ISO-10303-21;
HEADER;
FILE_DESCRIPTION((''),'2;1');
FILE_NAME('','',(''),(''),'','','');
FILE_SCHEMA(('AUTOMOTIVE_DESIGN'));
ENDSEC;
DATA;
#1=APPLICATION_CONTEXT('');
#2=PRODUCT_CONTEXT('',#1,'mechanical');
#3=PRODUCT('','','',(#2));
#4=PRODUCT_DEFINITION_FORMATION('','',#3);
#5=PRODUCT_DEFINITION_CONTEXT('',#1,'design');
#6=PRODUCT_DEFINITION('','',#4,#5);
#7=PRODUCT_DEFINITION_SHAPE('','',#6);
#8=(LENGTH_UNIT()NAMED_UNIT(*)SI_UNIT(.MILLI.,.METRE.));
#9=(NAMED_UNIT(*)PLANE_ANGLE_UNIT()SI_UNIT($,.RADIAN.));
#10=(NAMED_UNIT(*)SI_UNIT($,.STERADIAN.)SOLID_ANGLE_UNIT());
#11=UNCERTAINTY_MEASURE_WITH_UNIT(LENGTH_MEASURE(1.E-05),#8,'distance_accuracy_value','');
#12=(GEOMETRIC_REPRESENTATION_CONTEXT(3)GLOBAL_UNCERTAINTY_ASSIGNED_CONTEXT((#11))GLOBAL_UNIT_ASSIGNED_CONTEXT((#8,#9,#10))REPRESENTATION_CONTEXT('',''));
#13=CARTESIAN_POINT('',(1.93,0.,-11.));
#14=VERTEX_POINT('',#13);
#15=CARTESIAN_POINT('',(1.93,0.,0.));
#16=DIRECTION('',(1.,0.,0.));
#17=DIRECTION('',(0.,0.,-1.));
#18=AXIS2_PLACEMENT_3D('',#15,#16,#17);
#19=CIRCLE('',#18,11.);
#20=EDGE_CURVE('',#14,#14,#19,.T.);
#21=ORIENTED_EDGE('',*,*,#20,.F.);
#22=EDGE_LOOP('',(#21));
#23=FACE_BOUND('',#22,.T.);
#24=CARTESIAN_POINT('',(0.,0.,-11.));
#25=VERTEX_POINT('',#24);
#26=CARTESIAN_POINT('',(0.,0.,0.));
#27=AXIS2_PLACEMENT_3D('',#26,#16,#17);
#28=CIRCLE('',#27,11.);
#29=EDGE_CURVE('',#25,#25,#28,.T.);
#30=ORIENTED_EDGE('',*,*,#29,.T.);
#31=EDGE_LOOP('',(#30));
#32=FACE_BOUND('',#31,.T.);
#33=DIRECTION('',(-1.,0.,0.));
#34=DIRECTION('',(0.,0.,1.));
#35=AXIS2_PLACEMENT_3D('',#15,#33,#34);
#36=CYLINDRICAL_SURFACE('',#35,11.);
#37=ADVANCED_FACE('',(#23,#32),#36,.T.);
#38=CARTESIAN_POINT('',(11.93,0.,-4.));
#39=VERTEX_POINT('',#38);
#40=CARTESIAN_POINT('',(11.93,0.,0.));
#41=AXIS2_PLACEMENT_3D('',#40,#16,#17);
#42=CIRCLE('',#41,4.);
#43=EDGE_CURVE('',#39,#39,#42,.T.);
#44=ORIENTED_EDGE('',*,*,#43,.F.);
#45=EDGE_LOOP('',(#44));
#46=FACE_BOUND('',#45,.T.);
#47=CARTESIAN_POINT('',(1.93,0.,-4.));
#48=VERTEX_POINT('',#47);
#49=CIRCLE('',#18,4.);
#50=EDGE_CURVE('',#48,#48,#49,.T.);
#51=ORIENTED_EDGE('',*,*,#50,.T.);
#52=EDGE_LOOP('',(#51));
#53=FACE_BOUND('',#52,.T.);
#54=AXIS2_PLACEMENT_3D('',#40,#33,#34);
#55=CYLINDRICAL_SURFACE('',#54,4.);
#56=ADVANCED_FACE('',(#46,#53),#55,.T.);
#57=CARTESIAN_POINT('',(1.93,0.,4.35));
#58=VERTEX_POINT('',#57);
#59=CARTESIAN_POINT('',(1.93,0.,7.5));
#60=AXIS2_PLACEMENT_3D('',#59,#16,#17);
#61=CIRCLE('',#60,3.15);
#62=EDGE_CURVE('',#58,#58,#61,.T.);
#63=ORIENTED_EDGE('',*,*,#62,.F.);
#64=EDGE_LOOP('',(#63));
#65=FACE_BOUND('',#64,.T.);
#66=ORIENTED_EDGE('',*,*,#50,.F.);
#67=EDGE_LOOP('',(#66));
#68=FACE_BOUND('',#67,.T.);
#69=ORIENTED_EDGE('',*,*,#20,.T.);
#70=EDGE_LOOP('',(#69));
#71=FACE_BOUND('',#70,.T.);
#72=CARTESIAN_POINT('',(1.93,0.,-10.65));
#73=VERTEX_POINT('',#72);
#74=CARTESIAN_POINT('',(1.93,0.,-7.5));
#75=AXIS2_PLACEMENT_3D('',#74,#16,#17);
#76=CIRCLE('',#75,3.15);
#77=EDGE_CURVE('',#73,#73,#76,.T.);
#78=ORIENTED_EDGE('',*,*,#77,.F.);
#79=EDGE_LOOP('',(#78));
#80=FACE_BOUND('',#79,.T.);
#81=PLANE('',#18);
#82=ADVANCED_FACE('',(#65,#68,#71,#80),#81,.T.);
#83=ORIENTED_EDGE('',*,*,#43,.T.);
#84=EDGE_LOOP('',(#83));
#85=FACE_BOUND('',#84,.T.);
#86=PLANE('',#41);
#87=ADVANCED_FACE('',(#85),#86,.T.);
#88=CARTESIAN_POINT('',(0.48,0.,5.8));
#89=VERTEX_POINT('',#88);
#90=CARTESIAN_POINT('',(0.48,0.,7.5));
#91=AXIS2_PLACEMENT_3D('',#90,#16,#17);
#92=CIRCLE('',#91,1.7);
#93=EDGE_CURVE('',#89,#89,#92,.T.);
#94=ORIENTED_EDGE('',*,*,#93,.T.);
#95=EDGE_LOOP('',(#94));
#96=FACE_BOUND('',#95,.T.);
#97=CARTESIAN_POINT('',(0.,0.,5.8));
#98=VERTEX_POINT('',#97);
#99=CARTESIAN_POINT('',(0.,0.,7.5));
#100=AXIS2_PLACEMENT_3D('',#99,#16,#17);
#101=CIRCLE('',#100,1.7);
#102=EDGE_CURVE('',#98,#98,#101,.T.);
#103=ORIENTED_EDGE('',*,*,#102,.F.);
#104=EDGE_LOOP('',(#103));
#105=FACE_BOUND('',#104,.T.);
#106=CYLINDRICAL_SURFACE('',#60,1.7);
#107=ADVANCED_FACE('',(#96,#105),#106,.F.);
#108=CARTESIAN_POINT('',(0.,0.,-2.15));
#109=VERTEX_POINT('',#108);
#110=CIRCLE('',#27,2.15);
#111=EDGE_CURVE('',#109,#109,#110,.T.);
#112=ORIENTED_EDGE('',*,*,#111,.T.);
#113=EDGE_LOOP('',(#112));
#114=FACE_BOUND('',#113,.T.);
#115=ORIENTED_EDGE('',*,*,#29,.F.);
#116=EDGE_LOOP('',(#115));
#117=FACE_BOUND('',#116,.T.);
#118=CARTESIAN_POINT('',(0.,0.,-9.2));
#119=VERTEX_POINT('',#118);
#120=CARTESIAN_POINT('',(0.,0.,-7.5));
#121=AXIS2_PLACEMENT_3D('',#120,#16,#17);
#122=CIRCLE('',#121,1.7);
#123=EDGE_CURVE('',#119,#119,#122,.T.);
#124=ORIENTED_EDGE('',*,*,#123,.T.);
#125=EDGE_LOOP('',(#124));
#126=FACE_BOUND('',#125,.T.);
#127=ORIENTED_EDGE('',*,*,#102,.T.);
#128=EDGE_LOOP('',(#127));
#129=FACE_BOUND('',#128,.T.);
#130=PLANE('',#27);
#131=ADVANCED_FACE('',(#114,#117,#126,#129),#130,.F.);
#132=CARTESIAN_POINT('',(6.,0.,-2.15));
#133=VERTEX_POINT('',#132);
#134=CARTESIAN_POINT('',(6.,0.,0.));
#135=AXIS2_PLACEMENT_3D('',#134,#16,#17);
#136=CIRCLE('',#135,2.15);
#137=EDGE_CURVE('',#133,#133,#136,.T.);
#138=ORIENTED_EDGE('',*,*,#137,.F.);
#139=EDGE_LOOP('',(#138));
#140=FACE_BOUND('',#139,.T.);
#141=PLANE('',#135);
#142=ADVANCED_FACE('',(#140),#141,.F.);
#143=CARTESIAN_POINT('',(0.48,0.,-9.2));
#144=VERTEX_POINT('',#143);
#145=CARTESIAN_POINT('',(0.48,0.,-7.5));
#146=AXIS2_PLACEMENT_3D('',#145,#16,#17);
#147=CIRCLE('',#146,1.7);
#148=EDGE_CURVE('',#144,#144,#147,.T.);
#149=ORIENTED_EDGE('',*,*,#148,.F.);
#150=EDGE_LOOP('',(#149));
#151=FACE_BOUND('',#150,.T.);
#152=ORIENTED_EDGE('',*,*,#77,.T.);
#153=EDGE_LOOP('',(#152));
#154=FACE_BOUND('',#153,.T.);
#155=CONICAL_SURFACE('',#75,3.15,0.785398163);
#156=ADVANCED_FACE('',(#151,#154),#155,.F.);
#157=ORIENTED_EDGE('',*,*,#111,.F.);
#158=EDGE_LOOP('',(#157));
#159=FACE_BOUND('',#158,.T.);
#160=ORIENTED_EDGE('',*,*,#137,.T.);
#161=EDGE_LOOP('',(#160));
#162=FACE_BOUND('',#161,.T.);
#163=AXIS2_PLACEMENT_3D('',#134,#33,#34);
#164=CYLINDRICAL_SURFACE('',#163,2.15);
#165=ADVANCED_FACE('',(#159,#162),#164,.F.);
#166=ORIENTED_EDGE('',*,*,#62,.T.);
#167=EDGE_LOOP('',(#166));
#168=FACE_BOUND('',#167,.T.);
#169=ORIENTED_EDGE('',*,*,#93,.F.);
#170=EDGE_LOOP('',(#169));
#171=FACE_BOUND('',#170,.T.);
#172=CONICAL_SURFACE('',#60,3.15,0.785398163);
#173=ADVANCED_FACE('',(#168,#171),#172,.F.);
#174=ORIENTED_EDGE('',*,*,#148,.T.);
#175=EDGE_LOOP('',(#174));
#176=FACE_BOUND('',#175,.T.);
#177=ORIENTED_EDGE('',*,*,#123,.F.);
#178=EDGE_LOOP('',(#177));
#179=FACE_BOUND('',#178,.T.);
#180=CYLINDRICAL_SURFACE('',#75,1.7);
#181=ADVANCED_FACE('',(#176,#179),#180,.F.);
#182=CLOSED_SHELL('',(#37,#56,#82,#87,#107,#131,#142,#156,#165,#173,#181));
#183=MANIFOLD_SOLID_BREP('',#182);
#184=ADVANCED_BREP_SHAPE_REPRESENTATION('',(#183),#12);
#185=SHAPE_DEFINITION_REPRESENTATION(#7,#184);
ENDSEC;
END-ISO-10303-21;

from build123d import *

# Parameters (mm, degrees)
SKETCH1_R                                      = 11
SKETCH1_R_2                                    = 1.6
BOSS_EXTRUDE1_DEPTH                            = 1.93
SKETCH2_R                                      = 4
BOSS_EXTRUDE2_DEPTH                            = 10
SKETCH3_R                                      = 2.15
CUT_EXTRUDE1_DEPTH                             = 6
CSK_FOR_M3_FLAT_HEAD_MACHINE_SCREW1_AT_2_COUNT = 2
CSK_FOR_M3_FLAT_HEAD_MACHINE_SCREW1_AT_2_PITCH = 15


with BuildPart() as part:
    # Sketch1 → Boss-Extrude1 (new body)
    with BuildSketch(Plane(origin=(0, 0, 0), x_dir=(0, 0, -1), z_dir=(1, 0, 0))):
        Circle(SKETCH1_R)
        with Locations((7.5, 0)):
            Circle(SKETCH1_R_2, mode=Mode.SUBTRACT)
        with Locations((-7.5, 0)):
            Circle(SKETCH1_R_2, mode=Mode.SUBTRACT)
    extrude(amount=BOSS_EXTRUDE1_DEPTH)

    # Sketch2 → Boss-Extrude2 (add)
    with BuildSketch(Plane(origin=(1.93, 0, 0), x_dir=(0, 0, -1), z_dir=(1, 0, 0))):
        Circle(SKETCH2_R)
    extrude(amount=BOSS_EXTRUDE2_DEPTH)

    # Sketch3 → Cut-Extrude1 (cut)
    with BuildSketch(Plane(origin=(0, 0, 0), x_dir=(0, 0, -1), z_dir=(1, 0, 0))):
        Circle(SKETCH3_R)
    extrude(amount=CUT_EXTRUDE1_DEPTH, mode=Mode.SUBTRACT)

    # Sketch5 → CSK for M3 Flat Head Machine Screw1 (revolve, cut)
    with BuildSketch(Plane(origin=(1.93, 0, 7.5), x_dir=(0, 0, -1), z_dir=(0, 1, 0))):
        Polygon((0, 0), (0, 1.93), (1.7, 1.93), (1.7, 1.45), (3.15, 0), align=None)
    csk_for_m3_flat_head_machine_screw1 = revolve(axis=Axis((8.28, 0, 7.5), (-1, 0, 0)), mode=Mode.SUBTRACT)

    # CSK for M3 Flat Head Machine Screw1 at 2: CSK for M3 Flat Head Machine Screw1 ×2
    with Locations(*[(0, 0, -i * CSK_FOR_M3_FLAT_HEAD_MACHINE_SCREW1_AT_2_PITCH) for i in range(1, CSK_FOR_M3_FLAT_HEAD_MACHINE_SCREW1_AT_2_COUNT)]):
        add(csk_for_m3_flat_head_machine_screw1, mode=Mode.SUBTRACT)


solid = part.part
